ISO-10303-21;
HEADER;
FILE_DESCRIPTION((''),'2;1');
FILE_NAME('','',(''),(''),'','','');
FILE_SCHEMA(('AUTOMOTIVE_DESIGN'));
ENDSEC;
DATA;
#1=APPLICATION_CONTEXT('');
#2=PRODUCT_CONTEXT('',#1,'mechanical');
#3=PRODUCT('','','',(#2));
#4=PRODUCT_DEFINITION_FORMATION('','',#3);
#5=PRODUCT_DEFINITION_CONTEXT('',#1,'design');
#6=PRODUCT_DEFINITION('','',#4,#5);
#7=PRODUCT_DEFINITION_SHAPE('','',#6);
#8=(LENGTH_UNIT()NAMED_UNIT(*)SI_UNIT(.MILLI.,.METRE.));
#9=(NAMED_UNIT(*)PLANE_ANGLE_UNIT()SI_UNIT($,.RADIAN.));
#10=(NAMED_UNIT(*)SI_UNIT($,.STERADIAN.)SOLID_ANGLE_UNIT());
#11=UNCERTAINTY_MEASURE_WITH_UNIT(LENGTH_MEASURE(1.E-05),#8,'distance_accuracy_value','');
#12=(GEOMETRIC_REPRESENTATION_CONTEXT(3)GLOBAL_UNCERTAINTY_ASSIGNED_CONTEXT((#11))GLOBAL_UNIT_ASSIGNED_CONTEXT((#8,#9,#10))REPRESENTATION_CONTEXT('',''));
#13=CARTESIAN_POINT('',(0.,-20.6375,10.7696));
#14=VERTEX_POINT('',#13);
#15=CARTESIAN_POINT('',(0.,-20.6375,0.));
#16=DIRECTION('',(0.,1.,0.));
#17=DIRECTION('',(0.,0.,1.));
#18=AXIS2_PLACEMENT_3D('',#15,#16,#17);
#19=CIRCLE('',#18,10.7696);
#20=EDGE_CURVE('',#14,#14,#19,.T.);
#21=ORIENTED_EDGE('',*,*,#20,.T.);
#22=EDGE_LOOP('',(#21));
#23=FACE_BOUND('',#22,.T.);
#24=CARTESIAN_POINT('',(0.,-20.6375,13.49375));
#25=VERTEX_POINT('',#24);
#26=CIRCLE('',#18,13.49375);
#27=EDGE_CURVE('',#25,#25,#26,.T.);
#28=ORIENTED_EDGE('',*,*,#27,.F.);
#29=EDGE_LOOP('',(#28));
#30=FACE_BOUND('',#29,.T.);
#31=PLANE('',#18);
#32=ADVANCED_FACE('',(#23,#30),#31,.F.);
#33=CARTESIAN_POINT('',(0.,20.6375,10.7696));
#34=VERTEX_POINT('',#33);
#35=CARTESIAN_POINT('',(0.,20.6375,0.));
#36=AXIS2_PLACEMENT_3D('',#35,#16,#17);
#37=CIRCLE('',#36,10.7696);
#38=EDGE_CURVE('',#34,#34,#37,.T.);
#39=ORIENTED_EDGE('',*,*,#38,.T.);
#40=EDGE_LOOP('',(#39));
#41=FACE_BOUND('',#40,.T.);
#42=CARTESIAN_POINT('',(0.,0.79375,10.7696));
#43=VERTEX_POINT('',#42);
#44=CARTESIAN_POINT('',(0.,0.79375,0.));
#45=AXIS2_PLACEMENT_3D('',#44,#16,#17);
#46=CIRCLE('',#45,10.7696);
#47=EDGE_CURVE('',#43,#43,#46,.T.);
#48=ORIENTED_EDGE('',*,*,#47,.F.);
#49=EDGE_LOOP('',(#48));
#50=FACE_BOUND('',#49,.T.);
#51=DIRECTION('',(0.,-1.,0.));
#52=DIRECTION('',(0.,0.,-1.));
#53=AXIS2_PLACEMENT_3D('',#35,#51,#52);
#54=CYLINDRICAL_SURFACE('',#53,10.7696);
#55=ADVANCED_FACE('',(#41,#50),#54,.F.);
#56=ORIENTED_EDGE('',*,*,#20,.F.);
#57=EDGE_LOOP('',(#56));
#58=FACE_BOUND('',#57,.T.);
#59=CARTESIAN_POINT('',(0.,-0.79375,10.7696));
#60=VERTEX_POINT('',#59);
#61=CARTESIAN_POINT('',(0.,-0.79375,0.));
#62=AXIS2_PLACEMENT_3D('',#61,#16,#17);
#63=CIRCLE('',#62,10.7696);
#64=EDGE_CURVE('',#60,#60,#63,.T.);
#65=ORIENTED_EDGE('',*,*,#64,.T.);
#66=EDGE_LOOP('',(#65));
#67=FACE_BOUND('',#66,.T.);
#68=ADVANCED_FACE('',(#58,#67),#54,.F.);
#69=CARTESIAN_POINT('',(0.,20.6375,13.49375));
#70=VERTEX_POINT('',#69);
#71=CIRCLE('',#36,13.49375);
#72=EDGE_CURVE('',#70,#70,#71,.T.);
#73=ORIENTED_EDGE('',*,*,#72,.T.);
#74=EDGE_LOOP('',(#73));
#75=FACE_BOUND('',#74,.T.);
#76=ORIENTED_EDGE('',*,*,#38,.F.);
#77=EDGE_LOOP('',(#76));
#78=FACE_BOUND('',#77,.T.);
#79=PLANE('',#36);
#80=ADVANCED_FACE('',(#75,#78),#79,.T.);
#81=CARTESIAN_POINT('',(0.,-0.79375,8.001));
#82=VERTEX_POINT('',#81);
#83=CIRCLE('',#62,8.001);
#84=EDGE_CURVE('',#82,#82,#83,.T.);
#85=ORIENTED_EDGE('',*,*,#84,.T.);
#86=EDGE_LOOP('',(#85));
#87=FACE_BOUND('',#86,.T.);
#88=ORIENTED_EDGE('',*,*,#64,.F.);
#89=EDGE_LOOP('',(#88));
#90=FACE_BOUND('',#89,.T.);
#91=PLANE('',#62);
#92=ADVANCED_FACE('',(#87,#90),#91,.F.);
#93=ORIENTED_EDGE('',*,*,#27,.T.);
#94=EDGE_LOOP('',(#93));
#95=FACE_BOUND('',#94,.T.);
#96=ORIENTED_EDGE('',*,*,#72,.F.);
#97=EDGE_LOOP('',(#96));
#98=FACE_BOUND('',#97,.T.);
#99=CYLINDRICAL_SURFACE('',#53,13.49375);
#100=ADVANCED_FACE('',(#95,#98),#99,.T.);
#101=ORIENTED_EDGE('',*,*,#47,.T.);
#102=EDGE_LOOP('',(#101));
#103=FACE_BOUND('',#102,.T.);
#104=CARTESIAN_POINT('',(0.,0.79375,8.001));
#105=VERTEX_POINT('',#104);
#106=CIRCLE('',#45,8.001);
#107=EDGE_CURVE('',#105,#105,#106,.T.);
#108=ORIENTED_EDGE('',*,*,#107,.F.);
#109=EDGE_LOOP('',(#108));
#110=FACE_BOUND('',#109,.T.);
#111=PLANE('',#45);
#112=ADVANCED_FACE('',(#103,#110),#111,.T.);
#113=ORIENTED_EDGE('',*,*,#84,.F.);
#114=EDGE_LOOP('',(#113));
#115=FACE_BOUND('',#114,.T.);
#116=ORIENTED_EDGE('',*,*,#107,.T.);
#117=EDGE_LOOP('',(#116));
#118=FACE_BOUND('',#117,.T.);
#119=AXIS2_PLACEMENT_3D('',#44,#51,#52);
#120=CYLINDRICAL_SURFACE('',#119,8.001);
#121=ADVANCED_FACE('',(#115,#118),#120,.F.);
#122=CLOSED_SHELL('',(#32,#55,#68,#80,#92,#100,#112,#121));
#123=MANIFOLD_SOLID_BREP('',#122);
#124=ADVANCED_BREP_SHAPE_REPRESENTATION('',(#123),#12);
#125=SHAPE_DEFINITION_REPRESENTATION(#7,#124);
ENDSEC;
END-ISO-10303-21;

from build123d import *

# Parameters (mm, degrees)
SKETCH1_R           = 13.49375
SKETCH1_R_2         = 10.7696
BOSS_EXTRUDE2_DEPTH = 20.6375
SKETCH4_R           = 10.7696
SKETCH4_R_2         = 8.001
BOSS_EXTRUDE4_DEPTH = 0.79375


with BuildPart() as part:
    # Sketch1 → Boss-Extrude2 (new body, symmetric)
    with BuildSketch(Plane(origin=(0, 0, 0), x_dir=(1, 0, 0), z_dir=(0, 1, 0))):
        Circle(SKETCH1_R)
        Circle(SKETCH1_R_2, mode=Mode.SUBTRACT)
    extrude(amount=BOSS_EXTRUDE2_DEPTH, both=True)

    # Sketch4 → Boss-Extrude4 (add, symmetric)
    with BuildSketch(Plane(origin=(0, 0, 0), x_dir=(1, 0, 0), z_dir=(0, 1, 0))):
        Circle(SKETCH4_R)
        Circle(SKETCH4_R_2, mode=Mode.SUBTRACT)
    extrude(amount=BOSS_EXTRUDE4_DEPTH, both=True)


solid = part.part
